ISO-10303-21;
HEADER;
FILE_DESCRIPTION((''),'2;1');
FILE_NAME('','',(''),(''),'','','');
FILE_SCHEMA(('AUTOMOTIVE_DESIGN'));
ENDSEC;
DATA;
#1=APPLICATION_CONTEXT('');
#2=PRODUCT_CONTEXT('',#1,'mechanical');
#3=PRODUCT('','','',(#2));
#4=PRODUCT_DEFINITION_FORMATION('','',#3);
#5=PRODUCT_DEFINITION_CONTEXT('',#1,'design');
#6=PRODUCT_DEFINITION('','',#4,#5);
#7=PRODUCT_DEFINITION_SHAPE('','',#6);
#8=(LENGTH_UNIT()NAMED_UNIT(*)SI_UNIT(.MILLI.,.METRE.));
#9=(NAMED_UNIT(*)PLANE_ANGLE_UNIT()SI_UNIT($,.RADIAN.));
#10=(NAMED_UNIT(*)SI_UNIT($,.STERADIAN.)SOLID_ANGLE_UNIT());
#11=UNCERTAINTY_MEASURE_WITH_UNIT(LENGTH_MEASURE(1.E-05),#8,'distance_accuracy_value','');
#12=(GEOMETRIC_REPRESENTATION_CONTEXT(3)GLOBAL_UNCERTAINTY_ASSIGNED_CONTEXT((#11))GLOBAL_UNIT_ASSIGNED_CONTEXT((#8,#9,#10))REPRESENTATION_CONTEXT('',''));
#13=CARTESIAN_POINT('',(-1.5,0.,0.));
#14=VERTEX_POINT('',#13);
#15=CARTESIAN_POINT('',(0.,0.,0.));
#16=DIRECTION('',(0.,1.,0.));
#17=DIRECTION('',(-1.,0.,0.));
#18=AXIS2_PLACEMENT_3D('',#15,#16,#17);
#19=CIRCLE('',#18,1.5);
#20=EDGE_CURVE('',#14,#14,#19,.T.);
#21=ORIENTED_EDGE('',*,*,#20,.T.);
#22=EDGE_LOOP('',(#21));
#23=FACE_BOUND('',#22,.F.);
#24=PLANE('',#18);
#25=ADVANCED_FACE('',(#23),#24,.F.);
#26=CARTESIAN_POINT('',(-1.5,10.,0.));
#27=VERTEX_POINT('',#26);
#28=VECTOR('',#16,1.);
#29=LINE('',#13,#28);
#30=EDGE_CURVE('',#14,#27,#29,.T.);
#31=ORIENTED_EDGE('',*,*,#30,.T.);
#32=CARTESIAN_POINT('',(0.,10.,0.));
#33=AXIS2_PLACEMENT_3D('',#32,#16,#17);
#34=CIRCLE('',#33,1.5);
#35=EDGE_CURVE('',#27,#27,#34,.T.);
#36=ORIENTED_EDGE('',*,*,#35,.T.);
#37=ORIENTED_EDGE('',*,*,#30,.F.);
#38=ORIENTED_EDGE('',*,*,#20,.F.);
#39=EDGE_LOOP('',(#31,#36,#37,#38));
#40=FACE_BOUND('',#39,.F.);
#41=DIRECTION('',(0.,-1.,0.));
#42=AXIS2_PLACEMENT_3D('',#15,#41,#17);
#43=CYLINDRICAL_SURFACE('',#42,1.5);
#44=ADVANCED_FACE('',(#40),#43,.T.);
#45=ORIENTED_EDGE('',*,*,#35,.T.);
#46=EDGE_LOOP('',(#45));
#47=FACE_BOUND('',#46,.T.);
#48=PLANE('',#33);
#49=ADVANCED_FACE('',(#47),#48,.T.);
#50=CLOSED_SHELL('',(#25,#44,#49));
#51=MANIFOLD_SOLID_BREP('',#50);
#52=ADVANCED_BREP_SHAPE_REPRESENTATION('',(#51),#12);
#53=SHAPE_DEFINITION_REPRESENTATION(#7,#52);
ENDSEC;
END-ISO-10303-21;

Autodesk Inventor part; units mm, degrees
ref_plane "YZ Plane" through (0, 0, 0) normal (1, 0, 0) x (0, 1, 0)
ref_plane "XZ Plane" through (0, 0, 0) normal (0, 1, 0) x (-1, 0, 0)
ref_plane "XY Plane" through (0, 0, 0) normal (0, 0, 1) x (1, 0, 0)
sketch "Sketch1" plane through (0, 0, 0) normal (0, 1, 0) x (-1, 0, 0)
  circle A0 centre (0, 0) radius 1.5
  dimension "d0" = 3
extrude "Extrusion1" add sketch "Sketch1" along normal blind 10
properties part number "pin_3_10"
